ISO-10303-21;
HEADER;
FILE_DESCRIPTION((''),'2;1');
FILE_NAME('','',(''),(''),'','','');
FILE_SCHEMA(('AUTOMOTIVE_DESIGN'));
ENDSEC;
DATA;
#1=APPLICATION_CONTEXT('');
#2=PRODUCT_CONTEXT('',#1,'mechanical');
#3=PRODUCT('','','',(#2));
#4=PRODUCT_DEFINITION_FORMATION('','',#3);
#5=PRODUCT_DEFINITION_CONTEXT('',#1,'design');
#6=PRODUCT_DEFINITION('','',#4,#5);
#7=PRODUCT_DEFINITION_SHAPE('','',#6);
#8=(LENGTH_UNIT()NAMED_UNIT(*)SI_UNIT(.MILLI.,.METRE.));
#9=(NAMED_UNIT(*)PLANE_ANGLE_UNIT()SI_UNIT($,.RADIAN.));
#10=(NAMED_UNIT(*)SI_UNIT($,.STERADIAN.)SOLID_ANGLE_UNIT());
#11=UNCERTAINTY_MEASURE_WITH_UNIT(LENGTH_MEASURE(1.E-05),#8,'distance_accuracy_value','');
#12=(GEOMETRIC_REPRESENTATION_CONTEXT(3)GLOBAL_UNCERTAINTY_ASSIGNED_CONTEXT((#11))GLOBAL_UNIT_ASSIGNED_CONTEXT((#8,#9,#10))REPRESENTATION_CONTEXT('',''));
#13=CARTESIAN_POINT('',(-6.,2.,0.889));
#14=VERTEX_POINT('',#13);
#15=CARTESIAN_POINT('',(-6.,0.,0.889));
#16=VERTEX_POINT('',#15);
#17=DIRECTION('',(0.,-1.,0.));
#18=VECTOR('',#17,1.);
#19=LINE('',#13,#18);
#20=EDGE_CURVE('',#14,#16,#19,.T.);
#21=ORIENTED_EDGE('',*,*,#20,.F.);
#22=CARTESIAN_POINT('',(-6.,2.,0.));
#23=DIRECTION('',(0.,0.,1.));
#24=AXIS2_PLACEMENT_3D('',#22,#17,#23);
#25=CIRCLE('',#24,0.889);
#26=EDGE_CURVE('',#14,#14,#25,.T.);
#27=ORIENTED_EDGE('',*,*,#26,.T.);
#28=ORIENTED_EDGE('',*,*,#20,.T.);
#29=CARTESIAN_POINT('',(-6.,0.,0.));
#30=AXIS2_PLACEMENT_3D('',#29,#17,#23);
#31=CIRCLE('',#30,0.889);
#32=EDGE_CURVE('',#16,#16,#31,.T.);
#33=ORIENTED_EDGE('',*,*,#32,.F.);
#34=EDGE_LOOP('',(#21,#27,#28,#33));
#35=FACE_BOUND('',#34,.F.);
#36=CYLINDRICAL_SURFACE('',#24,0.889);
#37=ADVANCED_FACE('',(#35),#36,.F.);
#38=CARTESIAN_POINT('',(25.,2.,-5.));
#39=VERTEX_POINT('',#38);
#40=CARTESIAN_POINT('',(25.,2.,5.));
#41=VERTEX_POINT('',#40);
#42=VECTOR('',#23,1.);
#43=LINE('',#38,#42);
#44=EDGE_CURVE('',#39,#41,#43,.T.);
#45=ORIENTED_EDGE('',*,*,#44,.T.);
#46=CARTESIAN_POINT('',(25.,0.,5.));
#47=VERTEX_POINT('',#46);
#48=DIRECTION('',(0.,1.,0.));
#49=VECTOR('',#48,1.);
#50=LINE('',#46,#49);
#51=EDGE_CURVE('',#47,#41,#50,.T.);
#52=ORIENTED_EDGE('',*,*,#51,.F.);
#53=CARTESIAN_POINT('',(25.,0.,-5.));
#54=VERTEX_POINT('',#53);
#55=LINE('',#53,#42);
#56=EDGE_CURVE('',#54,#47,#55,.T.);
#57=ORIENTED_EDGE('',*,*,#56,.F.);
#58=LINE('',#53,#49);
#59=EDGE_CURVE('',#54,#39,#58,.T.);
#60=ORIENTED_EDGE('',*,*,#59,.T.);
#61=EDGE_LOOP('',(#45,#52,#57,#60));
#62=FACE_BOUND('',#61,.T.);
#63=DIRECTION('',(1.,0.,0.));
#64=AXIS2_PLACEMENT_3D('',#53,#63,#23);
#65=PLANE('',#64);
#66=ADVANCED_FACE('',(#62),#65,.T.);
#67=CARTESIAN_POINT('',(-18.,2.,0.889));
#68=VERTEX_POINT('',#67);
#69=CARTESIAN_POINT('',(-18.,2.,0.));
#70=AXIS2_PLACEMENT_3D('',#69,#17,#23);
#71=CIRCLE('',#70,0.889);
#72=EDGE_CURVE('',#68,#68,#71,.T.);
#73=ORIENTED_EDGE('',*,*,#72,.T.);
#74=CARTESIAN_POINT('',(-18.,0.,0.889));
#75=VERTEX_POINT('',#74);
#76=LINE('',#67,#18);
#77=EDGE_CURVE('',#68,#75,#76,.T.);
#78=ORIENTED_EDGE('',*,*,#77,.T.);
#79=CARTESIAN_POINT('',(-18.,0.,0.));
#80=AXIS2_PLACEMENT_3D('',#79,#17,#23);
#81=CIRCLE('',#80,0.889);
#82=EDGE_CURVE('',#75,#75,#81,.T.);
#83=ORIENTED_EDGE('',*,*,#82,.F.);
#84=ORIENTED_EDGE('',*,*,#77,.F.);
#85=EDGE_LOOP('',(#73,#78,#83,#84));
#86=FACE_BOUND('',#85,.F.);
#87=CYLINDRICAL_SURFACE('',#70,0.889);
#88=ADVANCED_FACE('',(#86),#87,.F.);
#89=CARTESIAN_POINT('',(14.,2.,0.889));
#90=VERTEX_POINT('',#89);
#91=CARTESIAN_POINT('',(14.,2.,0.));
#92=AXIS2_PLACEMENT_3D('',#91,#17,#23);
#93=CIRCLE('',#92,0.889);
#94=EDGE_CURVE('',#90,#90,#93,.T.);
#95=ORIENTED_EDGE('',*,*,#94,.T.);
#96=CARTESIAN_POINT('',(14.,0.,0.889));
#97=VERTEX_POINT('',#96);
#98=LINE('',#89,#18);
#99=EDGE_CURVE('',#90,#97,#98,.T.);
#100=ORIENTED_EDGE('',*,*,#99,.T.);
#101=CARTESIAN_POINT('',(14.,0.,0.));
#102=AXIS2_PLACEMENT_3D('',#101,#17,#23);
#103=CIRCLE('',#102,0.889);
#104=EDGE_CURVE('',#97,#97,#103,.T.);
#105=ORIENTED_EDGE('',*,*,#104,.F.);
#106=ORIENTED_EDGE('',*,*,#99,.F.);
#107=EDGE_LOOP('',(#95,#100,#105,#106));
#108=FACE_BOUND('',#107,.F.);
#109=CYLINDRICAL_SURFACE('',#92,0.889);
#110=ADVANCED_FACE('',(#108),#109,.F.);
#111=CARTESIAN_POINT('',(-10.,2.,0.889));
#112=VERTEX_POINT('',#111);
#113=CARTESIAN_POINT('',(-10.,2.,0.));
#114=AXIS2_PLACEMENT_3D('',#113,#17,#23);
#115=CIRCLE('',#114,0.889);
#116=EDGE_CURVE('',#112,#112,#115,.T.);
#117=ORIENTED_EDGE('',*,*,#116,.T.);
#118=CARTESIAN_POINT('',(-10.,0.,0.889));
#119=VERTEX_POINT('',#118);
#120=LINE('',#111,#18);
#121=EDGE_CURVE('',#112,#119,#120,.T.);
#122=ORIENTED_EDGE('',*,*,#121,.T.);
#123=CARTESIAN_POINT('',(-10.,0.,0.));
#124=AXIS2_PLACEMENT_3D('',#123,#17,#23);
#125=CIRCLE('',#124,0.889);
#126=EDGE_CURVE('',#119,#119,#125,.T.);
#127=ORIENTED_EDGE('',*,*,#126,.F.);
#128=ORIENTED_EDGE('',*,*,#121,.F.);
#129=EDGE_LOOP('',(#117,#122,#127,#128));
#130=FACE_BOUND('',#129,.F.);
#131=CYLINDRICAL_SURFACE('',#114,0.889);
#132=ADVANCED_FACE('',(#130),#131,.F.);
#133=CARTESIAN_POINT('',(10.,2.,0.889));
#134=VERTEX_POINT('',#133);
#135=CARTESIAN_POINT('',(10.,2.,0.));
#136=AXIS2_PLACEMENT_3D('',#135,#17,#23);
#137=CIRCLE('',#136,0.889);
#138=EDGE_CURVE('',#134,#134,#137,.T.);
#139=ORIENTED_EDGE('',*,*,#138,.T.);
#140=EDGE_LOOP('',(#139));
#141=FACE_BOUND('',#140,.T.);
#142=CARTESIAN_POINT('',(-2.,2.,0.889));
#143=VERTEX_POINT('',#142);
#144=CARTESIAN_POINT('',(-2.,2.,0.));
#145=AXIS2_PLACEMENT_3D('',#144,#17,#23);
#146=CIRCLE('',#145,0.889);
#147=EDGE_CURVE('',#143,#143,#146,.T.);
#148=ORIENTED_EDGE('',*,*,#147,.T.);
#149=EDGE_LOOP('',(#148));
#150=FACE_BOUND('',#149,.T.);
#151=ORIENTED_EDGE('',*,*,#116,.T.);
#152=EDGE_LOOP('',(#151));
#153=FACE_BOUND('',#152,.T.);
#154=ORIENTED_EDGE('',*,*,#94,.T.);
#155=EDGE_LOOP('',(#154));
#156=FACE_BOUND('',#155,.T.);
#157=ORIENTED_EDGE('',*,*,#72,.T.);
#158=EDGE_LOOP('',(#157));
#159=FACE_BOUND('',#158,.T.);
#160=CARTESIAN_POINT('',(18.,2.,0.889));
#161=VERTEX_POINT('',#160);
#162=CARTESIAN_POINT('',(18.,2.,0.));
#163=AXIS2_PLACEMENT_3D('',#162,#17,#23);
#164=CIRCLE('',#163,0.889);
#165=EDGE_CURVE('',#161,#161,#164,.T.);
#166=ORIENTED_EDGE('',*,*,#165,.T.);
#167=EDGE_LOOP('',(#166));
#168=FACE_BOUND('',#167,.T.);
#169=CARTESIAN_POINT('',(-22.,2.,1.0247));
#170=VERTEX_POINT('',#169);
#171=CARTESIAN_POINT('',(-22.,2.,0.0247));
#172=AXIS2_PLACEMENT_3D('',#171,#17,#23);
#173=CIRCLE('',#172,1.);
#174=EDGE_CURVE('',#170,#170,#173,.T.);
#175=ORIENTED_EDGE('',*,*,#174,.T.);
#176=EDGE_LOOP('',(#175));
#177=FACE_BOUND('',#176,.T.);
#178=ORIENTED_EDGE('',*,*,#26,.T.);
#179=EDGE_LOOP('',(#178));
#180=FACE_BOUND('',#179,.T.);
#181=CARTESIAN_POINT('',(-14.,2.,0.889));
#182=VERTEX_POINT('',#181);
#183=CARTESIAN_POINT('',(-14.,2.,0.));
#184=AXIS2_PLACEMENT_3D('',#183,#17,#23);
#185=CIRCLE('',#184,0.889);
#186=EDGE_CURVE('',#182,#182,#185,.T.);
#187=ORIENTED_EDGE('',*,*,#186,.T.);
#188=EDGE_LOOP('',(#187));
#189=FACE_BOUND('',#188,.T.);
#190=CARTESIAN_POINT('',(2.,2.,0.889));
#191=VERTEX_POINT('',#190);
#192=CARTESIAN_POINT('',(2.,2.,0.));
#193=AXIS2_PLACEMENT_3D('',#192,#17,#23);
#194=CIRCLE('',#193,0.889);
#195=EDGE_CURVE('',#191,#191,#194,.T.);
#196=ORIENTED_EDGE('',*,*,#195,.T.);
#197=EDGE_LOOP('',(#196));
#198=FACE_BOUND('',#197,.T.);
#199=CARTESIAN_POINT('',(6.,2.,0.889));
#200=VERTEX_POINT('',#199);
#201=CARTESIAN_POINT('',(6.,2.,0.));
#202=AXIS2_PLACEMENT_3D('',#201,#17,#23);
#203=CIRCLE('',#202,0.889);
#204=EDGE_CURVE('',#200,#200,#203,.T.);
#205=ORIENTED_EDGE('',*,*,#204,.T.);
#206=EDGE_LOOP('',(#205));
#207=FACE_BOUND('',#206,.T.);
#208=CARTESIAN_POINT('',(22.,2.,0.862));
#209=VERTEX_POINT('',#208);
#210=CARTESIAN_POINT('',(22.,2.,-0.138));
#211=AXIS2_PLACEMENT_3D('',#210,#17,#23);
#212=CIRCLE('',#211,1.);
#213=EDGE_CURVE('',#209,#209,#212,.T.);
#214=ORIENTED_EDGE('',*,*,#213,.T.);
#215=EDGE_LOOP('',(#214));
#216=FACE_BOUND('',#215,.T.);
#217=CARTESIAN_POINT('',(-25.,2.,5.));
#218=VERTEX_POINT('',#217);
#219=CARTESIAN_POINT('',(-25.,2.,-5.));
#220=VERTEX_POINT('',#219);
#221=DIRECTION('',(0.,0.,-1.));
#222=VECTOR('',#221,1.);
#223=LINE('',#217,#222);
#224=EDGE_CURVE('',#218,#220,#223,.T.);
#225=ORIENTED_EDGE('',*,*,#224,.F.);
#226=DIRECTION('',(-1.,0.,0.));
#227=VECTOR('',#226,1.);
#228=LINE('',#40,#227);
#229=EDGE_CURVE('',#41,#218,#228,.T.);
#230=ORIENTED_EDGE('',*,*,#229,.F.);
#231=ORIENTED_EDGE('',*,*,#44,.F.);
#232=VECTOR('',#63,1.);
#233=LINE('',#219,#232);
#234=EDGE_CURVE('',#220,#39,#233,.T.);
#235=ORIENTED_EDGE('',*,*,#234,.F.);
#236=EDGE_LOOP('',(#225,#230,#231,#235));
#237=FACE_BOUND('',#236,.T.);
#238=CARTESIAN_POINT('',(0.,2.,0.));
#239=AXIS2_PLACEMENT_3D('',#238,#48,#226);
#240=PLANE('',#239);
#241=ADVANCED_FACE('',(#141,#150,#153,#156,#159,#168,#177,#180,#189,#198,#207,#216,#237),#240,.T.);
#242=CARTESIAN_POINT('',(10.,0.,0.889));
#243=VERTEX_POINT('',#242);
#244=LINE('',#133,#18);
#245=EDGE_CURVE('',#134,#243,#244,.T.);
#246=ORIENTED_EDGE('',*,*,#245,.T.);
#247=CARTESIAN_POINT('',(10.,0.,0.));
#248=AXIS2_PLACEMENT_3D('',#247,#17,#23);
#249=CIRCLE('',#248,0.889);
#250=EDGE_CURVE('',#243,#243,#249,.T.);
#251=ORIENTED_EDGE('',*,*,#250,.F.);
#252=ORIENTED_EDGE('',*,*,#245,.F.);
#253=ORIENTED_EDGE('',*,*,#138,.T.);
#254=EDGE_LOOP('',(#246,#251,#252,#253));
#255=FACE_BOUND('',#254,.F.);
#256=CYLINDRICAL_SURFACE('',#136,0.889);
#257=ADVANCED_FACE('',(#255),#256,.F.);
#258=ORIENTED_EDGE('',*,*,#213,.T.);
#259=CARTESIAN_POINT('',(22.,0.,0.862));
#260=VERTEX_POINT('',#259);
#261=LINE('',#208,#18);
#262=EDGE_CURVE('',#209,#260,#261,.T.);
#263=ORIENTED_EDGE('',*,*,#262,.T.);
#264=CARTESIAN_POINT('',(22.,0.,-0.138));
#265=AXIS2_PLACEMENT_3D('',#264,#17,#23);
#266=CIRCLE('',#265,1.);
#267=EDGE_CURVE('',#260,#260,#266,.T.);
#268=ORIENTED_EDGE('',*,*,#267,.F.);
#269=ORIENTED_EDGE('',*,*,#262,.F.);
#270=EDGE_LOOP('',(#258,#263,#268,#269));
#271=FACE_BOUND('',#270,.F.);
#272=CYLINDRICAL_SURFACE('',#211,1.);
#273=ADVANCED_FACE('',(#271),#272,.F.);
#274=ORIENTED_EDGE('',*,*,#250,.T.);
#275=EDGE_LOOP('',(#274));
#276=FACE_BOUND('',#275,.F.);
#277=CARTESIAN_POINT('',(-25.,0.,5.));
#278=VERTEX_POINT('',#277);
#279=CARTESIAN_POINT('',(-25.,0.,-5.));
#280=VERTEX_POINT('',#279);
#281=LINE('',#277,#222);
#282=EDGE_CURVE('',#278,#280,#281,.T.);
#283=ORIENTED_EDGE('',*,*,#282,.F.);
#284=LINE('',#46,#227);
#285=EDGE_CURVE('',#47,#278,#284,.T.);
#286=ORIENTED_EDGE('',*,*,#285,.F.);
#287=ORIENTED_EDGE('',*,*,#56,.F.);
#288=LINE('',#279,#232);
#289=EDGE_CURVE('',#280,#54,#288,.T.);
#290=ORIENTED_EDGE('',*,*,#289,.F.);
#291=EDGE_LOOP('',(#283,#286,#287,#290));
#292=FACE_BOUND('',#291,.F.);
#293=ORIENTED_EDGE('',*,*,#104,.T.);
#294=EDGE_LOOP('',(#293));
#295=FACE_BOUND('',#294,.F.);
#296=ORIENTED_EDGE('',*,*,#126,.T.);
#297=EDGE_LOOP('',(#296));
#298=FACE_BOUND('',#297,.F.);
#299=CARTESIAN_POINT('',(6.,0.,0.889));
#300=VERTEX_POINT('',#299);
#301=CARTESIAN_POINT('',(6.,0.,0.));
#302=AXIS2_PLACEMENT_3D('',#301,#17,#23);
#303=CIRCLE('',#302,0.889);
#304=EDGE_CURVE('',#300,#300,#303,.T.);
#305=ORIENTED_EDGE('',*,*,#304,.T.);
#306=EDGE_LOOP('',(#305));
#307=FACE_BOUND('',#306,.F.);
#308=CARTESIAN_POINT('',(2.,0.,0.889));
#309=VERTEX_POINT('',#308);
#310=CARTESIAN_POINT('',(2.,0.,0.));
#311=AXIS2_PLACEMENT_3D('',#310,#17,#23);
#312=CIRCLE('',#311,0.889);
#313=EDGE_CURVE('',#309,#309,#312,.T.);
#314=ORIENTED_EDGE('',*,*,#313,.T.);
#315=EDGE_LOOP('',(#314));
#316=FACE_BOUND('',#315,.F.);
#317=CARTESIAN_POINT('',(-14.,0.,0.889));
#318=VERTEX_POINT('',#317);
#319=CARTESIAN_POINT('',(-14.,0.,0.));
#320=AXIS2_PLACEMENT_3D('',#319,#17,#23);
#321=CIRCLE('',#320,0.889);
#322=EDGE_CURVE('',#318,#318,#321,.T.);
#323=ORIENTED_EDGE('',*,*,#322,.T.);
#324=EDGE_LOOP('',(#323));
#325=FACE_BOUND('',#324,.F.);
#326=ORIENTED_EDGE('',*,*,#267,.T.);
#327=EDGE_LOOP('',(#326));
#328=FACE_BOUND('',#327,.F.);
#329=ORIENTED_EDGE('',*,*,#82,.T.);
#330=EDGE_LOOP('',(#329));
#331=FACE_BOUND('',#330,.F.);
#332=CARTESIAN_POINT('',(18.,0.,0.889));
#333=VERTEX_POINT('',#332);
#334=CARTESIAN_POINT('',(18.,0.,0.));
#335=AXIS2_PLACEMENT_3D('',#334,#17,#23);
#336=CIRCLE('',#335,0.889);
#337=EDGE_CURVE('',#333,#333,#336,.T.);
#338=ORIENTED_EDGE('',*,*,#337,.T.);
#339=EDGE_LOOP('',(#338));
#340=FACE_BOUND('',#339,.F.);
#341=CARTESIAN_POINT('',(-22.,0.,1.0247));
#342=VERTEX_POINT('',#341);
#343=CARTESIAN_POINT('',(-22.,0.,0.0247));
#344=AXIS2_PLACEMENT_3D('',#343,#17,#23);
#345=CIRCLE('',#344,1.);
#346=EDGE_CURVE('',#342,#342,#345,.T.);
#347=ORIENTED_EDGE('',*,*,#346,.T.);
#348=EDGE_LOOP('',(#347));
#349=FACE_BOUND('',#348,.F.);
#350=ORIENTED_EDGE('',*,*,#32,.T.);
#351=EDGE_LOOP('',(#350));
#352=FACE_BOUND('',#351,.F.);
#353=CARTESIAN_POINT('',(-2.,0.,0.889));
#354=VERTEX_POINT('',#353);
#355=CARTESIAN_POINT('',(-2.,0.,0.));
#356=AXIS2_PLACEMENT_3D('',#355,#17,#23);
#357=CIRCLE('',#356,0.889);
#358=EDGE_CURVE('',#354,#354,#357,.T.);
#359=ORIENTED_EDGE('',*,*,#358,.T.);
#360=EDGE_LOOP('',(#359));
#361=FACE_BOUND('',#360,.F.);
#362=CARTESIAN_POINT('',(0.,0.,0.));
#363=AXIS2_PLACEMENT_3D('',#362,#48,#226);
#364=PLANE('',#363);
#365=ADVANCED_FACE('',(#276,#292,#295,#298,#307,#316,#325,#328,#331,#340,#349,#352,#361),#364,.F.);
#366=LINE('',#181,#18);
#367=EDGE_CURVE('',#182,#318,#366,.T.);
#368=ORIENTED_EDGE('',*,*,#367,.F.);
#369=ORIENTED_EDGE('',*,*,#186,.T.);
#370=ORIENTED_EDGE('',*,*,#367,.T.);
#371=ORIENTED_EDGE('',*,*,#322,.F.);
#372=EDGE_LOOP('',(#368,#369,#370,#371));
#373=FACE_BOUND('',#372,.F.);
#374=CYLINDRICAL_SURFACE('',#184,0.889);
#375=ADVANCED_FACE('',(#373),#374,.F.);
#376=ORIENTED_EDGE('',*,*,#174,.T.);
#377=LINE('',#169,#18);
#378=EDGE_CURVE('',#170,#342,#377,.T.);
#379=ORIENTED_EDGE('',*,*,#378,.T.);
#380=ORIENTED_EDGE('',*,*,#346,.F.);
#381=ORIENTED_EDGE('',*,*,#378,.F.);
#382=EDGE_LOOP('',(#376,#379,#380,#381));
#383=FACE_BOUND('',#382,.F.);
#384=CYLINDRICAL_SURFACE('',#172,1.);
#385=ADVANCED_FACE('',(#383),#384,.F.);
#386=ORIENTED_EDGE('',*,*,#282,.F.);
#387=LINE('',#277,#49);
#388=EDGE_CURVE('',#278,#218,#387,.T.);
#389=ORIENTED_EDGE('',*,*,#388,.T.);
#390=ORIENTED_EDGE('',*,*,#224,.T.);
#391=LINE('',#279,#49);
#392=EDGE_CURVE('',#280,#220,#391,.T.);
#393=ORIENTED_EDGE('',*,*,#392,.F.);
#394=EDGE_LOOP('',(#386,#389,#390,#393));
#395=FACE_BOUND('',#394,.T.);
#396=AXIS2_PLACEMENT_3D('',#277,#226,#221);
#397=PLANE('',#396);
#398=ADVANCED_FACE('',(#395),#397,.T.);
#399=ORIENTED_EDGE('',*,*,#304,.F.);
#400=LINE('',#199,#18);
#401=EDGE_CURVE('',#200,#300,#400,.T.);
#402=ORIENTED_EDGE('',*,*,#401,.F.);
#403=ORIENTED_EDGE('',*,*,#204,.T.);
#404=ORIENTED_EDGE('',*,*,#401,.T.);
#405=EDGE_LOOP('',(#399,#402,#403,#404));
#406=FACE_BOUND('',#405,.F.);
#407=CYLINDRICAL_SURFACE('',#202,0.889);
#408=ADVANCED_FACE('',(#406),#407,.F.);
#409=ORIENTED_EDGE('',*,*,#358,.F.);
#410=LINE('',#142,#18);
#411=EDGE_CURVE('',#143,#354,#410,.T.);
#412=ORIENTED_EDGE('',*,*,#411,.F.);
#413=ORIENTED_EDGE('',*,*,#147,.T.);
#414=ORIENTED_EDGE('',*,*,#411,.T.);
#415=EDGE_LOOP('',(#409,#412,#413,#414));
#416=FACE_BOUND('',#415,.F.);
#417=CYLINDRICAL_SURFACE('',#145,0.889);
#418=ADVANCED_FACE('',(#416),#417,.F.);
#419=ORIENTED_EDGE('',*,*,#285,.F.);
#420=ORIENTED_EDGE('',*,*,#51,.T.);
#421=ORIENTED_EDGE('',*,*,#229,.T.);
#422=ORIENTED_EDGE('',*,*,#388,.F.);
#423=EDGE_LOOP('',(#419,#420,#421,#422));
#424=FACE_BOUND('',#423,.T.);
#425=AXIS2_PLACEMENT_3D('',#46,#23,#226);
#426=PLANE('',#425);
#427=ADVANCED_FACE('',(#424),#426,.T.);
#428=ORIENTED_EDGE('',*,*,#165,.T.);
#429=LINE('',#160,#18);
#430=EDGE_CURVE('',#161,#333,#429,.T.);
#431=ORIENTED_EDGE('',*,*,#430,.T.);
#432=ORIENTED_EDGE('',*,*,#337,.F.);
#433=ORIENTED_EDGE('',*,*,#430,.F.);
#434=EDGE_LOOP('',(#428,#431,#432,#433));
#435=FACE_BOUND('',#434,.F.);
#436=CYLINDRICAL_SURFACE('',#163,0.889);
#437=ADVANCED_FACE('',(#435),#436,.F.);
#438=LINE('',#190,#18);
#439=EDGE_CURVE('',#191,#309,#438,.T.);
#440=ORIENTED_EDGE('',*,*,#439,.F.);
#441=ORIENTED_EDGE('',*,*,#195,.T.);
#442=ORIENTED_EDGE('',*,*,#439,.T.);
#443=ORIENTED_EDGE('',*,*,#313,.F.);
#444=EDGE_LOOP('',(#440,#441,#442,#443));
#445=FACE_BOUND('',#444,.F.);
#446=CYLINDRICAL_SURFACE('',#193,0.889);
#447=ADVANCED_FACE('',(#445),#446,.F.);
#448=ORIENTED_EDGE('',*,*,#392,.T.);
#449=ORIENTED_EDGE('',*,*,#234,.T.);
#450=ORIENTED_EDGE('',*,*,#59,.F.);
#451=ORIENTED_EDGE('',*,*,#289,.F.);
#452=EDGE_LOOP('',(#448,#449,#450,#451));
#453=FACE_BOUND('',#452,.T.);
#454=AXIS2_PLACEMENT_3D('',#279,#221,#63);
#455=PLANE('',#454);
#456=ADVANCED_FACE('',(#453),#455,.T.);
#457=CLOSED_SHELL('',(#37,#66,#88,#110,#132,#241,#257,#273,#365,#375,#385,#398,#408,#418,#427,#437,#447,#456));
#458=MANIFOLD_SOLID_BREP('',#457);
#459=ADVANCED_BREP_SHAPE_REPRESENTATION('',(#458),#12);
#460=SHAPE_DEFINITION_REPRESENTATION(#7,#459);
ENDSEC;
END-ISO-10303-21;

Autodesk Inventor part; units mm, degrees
ref_plane "YZ Plane" through (0, 0, 0) normal (1, 0, 0) x (0, 1, 0)
ref_plane "XZ Plane" through (0, 0, 0) normal (0, 1, 0) x (-1, 0, 0)
ref_plane "XY Plane" through (0, 0, 0) normal (0, 0, 1) x (1, 0, 0)
sketch "Sketch1" plane through (0, 0, 0) normal (0, 1, 0) x (-1, 0, 0)
  line L0 (25, -5) -> (-25, -5)
  line L1 (-25, -5) -> (-25, 5)
  line L2 (-25, 5) -> (25, 5)
  line L3 (25, 5) -> (25, -5)
  line L4 (25, -5) -> (-25, 5) construction
  line L5 (-25, -5) -> (25, 5) construction
  point P0 (0, 0)
  dimension "d0" = 10
  dimension "d1" = 50
extrude "Extrusion1" add sketch "Sketch1" along normal blind 2
sketch "Sketch2" plane through (0, 2, 0) normal (0, 1, 0) x (1, 0, 0)
  line L0 (-25, -5) -> (25, -5) projected
  line L1 (25, -5) -> (25, 5) projected
  line L2 (25, 5) -> (-25, 5) projected
  line L3 (-25, 5) -> (-25, -5) projected
  line L4 (-25, 0) -> (25, 0)
  line L5 (0, 5) -> (0, -5)
  point P0 (0, 0)
  point P1 (-18, 0)
  point P2 (18, 0)
  dimension "d11" = 18
  dimension "d12" = 18
hole "Hole1" at (-18, 2, 0) at (18, 2, 0) direction (0, -1, 0) diameter 1.778 end through all
sketch "Sketch3" plane through (0, 2, 0) normal (0, 1, 0) x (1, 0, 0)
  circle A0 centre (-18, 0) radius 0.889 projected
  circle A1 centre (18, 0) radius 0.889 projected
  line L0 (-25, -5) -> (25, -5) projected
  line L1 (25, -5) -> (25, 5) projected
  line L2 (25, 5) -> (-25, 5) projected
  line L3 (-25, 5) -> (-25, -5) projected
  line L4 (-25, 0) -> (25, 0) construction
  line L5 (0, 5) -> (0, -5) construction
  point P0 (0, 0)
  point P1 (14, 0)
  point P2 (-14, 0)
  point P3 (-10, 0)
  point P4 (-6, 0)
  point P5 (-2, 0)
  point P6 (2, 0)
  point P7 (6, 0)
  point P8 (10, 0)
  dimension "d21" = 4
  dimension "d22" = 4
  dimension "d23" = 4
  dimension "d24" = 2
  dimension "d25" = 2
  dimension "d26" = 4
  dimension "d27" = 4
  dimension "d28" = 4
hole "Hole2" at (14, 2, 0) at (-14, 2, 0) at (-10, 2, 0) at (-6, 2, 0) at (-2, 2, 0) at (2, 2, 0) at (6, 2, 0) at (10, 2, 0) direction (0, -1, 0) diameter 1.778 end through all
sketch "Sketch4" plane through (0, 2, 0) normal (0, 1, 0) x (1, 0, 0)
  circle A0 centre (6, 0) radius 0.889 projected
  circle A1 centre (-2, 0) radius 0.889 projected
  circle A2 centre (-10, 0) radius 0.889 projected
  circle A3 centre (14, 0) radius 0.889 projected
  circle A4 centre (-14, 0) radius 0.889 projected
  circle A5 centre (-6, 0) radius 0.889 projected
  circle A6 centre (2, 0) radius 0.889 projected
  circle A7 centre (10, 0) radius 0.889 projected
  circle A8 centre (-18, 0) radius 0.889 projected
  circle A9 centre (18, 0) radius 0.889 projected
  line L0 (-25, -5) -> (25, -5) projected
  line L1 (25, -5) -> (25, 5) projected
  line L2 (25, 5) -> (-25, 5) projected
  line L3 (-25, 5) -> (-25, -5) projected
  line L4 (-25, 0) -> (25, 0) construction
  point P0 (0, 0)
  point P1 (-22, -0.0247)
  point P2 (22, 0.138)
  dimension "d37" = 4
  dimension "d38" = 4
hole "Hole3" at (-22, 2, 0.0247) at (22, 2, -0.138) direction (0, -1, 0) diameter 2 end through all
equation "\"d38\" = d37"
properties part number "Busbar Copper"
